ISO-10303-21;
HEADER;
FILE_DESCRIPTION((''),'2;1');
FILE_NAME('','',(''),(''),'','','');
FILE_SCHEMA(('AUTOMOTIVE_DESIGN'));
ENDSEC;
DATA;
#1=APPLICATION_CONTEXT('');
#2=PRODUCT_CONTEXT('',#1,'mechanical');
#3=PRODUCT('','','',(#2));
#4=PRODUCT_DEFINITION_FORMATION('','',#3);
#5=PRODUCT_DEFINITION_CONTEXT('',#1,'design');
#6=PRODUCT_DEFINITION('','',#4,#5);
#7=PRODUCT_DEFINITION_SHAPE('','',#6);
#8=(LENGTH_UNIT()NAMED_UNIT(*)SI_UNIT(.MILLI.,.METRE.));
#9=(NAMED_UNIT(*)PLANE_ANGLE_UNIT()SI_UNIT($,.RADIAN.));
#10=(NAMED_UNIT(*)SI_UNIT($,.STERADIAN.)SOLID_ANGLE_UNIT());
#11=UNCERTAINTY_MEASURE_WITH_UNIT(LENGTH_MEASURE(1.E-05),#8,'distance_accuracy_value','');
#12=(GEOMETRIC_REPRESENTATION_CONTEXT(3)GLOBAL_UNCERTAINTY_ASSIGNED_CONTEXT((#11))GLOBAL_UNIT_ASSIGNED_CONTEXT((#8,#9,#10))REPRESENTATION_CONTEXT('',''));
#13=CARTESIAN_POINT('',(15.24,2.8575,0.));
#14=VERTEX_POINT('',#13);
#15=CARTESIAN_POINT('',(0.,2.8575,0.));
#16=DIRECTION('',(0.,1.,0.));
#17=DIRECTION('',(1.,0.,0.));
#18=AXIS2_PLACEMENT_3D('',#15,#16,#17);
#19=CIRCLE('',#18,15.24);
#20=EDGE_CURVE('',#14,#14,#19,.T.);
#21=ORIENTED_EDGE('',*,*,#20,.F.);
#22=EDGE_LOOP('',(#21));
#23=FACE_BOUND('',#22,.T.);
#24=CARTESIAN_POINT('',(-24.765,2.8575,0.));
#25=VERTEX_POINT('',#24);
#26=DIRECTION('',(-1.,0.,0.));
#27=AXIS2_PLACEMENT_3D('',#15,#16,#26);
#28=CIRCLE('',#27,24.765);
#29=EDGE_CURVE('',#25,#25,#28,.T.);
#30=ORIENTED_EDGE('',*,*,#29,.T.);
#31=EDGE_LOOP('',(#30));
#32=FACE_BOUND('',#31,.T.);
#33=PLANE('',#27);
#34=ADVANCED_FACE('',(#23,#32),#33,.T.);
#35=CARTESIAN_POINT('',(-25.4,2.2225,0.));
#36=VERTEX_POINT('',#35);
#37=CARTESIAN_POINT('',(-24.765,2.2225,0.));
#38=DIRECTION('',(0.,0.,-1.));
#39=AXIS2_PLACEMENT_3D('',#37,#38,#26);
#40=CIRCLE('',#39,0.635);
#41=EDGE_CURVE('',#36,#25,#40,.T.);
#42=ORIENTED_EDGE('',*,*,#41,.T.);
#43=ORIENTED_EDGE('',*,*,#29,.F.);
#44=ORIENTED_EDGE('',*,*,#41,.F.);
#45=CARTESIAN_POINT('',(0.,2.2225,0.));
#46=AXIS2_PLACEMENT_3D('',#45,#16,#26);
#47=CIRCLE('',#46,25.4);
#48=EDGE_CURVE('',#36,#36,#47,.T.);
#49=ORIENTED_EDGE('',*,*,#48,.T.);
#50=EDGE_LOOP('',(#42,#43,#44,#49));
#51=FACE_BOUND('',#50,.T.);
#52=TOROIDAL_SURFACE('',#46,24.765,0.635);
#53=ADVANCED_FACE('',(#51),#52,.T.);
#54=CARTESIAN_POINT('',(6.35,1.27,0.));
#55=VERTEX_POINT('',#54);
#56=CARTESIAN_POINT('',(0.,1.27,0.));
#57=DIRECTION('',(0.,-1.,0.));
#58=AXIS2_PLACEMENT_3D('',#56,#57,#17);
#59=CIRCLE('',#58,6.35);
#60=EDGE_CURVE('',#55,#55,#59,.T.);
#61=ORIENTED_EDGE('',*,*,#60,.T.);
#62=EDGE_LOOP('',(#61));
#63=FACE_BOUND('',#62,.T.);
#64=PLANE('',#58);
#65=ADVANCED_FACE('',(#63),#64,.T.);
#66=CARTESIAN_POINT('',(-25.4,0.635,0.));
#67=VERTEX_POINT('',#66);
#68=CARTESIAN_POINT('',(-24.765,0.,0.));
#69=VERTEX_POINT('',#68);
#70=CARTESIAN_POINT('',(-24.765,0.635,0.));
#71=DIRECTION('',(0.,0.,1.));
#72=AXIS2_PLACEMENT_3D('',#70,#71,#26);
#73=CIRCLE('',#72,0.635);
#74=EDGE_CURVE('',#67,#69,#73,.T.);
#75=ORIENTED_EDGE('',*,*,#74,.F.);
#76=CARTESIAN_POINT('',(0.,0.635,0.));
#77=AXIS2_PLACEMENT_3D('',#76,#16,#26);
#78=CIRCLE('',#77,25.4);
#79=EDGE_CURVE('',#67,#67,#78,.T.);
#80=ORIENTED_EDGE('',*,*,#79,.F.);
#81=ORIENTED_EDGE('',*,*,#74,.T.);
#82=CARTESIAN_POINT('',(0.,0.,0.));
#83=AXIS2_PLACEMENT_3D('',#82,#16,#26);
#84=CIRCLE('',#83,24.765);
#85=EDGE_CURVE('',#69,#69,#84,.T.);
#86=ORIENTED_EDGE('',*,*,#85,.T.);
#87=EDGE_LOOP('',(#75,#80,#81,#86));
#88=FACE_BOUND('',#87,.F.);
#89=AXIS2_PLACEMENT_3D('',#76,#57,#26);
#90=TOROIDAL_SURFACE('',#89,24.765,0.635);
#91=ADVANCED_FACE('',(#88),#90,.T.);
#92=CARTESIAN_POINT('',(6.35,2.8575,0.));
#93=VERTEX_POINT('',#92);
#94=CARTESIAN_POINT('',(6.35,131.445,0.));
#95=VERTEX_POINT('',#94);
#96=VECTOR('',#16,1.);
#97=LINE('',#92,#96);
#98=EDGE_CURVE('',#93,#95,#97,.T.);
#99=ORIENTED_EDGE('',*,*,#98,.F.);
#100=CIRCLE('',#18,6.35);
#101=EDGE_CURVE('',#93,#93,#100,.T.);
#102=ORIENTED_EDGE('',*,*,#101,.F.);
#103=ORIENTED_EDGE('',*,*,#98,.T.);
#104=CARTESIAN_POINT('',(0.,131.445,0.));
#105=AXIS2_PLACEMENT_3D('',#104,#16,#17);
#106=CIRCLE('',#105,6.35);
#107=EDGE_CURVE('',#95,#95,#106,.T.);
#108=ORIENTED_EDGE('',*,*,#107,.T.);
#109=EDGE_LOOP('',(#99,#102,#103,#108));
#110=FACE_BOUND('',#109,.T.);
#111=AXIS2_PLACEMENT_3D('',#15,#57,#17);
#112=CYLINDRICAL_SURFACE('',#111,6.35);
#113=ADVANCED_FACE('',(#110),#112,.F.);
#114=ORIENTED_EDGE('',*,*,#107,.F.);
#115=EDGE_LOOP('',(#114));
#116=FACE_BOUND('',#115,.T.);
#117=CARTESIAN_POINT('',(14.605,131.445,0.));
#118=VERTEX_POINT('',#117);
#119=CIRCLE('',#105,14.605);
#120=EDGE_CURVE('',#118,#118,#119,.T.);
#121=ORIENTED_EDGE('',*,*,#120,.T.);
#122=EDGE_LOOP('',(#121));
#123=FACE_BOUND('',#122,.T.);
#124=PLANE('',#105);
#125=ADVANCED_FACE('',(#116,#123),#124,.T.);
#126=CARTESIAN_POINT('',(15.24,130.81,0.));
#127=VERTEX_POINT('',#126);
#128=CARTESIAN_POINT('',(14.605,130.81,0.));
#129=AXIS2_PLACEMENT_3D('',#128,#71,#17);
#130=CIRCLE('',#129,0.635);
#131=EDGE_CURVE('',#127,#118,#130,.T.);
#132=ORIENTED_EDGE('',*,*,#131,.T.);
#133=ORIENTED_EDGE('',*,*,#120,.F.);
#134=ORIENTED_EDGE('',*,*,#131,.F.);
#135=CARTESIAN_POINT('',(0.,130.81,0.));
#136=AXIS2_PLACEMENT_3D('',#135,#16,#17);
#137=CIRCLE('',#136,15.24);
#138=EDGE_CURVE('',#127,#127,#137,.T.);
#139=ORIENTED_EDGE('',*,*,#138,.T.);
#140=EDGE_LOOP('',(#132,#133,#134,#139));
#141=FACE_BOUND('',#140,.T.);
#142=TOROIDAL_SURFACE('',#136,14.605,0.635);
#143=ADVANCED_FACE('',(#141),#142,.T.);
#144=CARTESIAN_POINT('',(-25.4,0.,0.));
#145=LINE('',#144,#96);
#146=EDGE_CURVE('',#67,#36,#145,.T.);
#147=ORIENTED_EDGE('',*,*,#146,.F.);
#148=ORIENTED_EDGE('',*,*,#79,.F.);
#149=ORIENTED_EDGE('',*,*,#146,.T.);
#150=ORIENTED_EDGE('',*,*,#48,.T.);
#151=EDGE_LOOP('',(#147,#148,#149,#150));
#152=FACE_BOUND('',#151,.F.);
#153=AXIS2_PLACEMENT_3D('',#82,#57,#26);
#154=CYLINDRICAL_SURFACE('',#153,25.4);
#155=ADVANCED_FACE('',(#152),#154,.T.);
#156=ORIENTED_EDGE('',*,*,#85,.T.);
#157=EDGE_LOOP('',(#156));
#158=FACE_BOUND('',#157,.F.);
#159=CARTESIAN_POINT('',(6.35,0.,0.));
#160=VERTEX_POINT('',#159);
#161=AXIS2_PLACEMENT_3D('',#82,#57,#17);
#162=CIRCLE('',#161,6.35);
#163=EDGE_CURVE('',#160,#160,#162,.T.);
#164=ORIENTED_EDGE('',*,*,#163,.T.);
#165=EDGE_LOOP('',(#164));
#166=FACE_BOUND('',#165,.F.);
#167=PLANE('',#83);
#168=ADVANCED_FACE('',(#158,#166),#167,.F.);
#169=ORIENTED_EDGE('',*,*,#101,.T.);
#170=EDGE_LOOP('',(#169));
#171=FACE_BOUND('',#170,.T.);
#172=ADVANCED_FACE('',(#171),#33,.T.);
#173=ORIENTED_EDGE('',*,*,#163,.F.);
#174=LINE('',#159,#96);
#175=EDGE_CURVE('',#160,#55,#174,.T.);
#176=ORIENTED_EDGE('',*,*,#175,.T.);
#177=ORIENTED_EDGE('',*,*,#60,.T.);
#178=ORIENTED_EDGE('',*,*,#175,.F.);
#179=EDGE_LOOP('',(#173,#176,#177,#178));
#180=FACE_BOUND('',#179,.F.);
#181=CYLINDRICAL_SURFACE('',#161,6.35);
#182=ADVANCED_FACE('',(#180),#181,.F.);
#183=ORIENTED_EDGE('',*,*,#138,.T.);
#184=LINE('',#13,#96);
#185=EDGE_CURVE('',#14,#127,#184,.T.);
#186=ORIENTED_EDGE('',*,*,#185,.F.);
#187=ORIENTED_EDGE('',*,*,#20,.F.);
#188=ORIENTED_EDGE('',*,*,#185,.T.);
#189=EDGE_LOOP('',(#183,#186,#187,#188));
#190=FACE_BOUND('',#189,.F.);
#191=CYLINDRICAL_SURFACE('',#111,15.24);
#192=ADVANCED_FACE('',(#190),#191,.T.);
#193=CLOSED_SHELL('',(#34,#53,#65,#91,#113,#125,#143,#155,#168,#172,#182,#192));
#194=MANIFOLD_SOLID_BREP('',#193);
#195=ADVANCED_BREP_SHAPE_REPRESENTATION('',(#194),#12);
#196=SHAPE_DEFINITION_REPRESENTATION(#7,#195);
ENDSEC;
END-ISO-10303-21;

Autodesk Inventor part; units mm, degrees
ref_plane "YZ Plane" through (0, 0, 0) normal (1, 0, 0) x (0, 1, 0)
ref_plane "XZ Plane" through (0, 0, 0) normal (0, 1, 0) x (-1, 0, 0)
ref_plane "XY Plane" through (0, 0, 0) normal (0, 0, 1) x (1, 0, 0)
sketch "Sketch1" plane through (0, 0, 0) normal (0, 1, 0) x (-1, 0, 0)
  circle A0 centre (0, 0) radius 25.4
  dimension "d0" = 50.8
extrude "Extrusion1" add sketch "Sketch1" along normal blind 2.8575
fillet "Fillet1" radius 0.635 1 edges at (25.4, 2.8575, 0)
fillet "Fillet2" radius 0.635 1 edges at (25.4, 0, 0)
sketch "Sketch2" plane through (0, 2.8575, 0) normal (0, 1, 0) x (1, 0, 0)
  circle A0 centre (0, 0) radius 24.765 projected
  circle A1 centre (0, 0) radius 6.35
  circle A2 centre (0, 0) radius 15.24
  dimension "d5" = 12.7
  dimension "d6" = 30.48
extrude "Extrusion2" add sketch "Sketch2" along normal blind 128.5875 contours A2
fillet "Fillet3" radius 0.635 1 edges at (-15.24, 131.445, 0)
sketch "Sketch5" plane through (0, 0, 0) normal (0, -1, 0) x (1, 0, 0)
  circle A0 centre (0, 0) radius 24.765 projected
  circle A1 centre (0, 0) radius 6.35
  dimension "d34" = 12.7
extrude "Extrusion4" cut sketch "Sketch5" against normal blind 1.27 contours A1
properties part number "GripFinal" material "Rubber"
